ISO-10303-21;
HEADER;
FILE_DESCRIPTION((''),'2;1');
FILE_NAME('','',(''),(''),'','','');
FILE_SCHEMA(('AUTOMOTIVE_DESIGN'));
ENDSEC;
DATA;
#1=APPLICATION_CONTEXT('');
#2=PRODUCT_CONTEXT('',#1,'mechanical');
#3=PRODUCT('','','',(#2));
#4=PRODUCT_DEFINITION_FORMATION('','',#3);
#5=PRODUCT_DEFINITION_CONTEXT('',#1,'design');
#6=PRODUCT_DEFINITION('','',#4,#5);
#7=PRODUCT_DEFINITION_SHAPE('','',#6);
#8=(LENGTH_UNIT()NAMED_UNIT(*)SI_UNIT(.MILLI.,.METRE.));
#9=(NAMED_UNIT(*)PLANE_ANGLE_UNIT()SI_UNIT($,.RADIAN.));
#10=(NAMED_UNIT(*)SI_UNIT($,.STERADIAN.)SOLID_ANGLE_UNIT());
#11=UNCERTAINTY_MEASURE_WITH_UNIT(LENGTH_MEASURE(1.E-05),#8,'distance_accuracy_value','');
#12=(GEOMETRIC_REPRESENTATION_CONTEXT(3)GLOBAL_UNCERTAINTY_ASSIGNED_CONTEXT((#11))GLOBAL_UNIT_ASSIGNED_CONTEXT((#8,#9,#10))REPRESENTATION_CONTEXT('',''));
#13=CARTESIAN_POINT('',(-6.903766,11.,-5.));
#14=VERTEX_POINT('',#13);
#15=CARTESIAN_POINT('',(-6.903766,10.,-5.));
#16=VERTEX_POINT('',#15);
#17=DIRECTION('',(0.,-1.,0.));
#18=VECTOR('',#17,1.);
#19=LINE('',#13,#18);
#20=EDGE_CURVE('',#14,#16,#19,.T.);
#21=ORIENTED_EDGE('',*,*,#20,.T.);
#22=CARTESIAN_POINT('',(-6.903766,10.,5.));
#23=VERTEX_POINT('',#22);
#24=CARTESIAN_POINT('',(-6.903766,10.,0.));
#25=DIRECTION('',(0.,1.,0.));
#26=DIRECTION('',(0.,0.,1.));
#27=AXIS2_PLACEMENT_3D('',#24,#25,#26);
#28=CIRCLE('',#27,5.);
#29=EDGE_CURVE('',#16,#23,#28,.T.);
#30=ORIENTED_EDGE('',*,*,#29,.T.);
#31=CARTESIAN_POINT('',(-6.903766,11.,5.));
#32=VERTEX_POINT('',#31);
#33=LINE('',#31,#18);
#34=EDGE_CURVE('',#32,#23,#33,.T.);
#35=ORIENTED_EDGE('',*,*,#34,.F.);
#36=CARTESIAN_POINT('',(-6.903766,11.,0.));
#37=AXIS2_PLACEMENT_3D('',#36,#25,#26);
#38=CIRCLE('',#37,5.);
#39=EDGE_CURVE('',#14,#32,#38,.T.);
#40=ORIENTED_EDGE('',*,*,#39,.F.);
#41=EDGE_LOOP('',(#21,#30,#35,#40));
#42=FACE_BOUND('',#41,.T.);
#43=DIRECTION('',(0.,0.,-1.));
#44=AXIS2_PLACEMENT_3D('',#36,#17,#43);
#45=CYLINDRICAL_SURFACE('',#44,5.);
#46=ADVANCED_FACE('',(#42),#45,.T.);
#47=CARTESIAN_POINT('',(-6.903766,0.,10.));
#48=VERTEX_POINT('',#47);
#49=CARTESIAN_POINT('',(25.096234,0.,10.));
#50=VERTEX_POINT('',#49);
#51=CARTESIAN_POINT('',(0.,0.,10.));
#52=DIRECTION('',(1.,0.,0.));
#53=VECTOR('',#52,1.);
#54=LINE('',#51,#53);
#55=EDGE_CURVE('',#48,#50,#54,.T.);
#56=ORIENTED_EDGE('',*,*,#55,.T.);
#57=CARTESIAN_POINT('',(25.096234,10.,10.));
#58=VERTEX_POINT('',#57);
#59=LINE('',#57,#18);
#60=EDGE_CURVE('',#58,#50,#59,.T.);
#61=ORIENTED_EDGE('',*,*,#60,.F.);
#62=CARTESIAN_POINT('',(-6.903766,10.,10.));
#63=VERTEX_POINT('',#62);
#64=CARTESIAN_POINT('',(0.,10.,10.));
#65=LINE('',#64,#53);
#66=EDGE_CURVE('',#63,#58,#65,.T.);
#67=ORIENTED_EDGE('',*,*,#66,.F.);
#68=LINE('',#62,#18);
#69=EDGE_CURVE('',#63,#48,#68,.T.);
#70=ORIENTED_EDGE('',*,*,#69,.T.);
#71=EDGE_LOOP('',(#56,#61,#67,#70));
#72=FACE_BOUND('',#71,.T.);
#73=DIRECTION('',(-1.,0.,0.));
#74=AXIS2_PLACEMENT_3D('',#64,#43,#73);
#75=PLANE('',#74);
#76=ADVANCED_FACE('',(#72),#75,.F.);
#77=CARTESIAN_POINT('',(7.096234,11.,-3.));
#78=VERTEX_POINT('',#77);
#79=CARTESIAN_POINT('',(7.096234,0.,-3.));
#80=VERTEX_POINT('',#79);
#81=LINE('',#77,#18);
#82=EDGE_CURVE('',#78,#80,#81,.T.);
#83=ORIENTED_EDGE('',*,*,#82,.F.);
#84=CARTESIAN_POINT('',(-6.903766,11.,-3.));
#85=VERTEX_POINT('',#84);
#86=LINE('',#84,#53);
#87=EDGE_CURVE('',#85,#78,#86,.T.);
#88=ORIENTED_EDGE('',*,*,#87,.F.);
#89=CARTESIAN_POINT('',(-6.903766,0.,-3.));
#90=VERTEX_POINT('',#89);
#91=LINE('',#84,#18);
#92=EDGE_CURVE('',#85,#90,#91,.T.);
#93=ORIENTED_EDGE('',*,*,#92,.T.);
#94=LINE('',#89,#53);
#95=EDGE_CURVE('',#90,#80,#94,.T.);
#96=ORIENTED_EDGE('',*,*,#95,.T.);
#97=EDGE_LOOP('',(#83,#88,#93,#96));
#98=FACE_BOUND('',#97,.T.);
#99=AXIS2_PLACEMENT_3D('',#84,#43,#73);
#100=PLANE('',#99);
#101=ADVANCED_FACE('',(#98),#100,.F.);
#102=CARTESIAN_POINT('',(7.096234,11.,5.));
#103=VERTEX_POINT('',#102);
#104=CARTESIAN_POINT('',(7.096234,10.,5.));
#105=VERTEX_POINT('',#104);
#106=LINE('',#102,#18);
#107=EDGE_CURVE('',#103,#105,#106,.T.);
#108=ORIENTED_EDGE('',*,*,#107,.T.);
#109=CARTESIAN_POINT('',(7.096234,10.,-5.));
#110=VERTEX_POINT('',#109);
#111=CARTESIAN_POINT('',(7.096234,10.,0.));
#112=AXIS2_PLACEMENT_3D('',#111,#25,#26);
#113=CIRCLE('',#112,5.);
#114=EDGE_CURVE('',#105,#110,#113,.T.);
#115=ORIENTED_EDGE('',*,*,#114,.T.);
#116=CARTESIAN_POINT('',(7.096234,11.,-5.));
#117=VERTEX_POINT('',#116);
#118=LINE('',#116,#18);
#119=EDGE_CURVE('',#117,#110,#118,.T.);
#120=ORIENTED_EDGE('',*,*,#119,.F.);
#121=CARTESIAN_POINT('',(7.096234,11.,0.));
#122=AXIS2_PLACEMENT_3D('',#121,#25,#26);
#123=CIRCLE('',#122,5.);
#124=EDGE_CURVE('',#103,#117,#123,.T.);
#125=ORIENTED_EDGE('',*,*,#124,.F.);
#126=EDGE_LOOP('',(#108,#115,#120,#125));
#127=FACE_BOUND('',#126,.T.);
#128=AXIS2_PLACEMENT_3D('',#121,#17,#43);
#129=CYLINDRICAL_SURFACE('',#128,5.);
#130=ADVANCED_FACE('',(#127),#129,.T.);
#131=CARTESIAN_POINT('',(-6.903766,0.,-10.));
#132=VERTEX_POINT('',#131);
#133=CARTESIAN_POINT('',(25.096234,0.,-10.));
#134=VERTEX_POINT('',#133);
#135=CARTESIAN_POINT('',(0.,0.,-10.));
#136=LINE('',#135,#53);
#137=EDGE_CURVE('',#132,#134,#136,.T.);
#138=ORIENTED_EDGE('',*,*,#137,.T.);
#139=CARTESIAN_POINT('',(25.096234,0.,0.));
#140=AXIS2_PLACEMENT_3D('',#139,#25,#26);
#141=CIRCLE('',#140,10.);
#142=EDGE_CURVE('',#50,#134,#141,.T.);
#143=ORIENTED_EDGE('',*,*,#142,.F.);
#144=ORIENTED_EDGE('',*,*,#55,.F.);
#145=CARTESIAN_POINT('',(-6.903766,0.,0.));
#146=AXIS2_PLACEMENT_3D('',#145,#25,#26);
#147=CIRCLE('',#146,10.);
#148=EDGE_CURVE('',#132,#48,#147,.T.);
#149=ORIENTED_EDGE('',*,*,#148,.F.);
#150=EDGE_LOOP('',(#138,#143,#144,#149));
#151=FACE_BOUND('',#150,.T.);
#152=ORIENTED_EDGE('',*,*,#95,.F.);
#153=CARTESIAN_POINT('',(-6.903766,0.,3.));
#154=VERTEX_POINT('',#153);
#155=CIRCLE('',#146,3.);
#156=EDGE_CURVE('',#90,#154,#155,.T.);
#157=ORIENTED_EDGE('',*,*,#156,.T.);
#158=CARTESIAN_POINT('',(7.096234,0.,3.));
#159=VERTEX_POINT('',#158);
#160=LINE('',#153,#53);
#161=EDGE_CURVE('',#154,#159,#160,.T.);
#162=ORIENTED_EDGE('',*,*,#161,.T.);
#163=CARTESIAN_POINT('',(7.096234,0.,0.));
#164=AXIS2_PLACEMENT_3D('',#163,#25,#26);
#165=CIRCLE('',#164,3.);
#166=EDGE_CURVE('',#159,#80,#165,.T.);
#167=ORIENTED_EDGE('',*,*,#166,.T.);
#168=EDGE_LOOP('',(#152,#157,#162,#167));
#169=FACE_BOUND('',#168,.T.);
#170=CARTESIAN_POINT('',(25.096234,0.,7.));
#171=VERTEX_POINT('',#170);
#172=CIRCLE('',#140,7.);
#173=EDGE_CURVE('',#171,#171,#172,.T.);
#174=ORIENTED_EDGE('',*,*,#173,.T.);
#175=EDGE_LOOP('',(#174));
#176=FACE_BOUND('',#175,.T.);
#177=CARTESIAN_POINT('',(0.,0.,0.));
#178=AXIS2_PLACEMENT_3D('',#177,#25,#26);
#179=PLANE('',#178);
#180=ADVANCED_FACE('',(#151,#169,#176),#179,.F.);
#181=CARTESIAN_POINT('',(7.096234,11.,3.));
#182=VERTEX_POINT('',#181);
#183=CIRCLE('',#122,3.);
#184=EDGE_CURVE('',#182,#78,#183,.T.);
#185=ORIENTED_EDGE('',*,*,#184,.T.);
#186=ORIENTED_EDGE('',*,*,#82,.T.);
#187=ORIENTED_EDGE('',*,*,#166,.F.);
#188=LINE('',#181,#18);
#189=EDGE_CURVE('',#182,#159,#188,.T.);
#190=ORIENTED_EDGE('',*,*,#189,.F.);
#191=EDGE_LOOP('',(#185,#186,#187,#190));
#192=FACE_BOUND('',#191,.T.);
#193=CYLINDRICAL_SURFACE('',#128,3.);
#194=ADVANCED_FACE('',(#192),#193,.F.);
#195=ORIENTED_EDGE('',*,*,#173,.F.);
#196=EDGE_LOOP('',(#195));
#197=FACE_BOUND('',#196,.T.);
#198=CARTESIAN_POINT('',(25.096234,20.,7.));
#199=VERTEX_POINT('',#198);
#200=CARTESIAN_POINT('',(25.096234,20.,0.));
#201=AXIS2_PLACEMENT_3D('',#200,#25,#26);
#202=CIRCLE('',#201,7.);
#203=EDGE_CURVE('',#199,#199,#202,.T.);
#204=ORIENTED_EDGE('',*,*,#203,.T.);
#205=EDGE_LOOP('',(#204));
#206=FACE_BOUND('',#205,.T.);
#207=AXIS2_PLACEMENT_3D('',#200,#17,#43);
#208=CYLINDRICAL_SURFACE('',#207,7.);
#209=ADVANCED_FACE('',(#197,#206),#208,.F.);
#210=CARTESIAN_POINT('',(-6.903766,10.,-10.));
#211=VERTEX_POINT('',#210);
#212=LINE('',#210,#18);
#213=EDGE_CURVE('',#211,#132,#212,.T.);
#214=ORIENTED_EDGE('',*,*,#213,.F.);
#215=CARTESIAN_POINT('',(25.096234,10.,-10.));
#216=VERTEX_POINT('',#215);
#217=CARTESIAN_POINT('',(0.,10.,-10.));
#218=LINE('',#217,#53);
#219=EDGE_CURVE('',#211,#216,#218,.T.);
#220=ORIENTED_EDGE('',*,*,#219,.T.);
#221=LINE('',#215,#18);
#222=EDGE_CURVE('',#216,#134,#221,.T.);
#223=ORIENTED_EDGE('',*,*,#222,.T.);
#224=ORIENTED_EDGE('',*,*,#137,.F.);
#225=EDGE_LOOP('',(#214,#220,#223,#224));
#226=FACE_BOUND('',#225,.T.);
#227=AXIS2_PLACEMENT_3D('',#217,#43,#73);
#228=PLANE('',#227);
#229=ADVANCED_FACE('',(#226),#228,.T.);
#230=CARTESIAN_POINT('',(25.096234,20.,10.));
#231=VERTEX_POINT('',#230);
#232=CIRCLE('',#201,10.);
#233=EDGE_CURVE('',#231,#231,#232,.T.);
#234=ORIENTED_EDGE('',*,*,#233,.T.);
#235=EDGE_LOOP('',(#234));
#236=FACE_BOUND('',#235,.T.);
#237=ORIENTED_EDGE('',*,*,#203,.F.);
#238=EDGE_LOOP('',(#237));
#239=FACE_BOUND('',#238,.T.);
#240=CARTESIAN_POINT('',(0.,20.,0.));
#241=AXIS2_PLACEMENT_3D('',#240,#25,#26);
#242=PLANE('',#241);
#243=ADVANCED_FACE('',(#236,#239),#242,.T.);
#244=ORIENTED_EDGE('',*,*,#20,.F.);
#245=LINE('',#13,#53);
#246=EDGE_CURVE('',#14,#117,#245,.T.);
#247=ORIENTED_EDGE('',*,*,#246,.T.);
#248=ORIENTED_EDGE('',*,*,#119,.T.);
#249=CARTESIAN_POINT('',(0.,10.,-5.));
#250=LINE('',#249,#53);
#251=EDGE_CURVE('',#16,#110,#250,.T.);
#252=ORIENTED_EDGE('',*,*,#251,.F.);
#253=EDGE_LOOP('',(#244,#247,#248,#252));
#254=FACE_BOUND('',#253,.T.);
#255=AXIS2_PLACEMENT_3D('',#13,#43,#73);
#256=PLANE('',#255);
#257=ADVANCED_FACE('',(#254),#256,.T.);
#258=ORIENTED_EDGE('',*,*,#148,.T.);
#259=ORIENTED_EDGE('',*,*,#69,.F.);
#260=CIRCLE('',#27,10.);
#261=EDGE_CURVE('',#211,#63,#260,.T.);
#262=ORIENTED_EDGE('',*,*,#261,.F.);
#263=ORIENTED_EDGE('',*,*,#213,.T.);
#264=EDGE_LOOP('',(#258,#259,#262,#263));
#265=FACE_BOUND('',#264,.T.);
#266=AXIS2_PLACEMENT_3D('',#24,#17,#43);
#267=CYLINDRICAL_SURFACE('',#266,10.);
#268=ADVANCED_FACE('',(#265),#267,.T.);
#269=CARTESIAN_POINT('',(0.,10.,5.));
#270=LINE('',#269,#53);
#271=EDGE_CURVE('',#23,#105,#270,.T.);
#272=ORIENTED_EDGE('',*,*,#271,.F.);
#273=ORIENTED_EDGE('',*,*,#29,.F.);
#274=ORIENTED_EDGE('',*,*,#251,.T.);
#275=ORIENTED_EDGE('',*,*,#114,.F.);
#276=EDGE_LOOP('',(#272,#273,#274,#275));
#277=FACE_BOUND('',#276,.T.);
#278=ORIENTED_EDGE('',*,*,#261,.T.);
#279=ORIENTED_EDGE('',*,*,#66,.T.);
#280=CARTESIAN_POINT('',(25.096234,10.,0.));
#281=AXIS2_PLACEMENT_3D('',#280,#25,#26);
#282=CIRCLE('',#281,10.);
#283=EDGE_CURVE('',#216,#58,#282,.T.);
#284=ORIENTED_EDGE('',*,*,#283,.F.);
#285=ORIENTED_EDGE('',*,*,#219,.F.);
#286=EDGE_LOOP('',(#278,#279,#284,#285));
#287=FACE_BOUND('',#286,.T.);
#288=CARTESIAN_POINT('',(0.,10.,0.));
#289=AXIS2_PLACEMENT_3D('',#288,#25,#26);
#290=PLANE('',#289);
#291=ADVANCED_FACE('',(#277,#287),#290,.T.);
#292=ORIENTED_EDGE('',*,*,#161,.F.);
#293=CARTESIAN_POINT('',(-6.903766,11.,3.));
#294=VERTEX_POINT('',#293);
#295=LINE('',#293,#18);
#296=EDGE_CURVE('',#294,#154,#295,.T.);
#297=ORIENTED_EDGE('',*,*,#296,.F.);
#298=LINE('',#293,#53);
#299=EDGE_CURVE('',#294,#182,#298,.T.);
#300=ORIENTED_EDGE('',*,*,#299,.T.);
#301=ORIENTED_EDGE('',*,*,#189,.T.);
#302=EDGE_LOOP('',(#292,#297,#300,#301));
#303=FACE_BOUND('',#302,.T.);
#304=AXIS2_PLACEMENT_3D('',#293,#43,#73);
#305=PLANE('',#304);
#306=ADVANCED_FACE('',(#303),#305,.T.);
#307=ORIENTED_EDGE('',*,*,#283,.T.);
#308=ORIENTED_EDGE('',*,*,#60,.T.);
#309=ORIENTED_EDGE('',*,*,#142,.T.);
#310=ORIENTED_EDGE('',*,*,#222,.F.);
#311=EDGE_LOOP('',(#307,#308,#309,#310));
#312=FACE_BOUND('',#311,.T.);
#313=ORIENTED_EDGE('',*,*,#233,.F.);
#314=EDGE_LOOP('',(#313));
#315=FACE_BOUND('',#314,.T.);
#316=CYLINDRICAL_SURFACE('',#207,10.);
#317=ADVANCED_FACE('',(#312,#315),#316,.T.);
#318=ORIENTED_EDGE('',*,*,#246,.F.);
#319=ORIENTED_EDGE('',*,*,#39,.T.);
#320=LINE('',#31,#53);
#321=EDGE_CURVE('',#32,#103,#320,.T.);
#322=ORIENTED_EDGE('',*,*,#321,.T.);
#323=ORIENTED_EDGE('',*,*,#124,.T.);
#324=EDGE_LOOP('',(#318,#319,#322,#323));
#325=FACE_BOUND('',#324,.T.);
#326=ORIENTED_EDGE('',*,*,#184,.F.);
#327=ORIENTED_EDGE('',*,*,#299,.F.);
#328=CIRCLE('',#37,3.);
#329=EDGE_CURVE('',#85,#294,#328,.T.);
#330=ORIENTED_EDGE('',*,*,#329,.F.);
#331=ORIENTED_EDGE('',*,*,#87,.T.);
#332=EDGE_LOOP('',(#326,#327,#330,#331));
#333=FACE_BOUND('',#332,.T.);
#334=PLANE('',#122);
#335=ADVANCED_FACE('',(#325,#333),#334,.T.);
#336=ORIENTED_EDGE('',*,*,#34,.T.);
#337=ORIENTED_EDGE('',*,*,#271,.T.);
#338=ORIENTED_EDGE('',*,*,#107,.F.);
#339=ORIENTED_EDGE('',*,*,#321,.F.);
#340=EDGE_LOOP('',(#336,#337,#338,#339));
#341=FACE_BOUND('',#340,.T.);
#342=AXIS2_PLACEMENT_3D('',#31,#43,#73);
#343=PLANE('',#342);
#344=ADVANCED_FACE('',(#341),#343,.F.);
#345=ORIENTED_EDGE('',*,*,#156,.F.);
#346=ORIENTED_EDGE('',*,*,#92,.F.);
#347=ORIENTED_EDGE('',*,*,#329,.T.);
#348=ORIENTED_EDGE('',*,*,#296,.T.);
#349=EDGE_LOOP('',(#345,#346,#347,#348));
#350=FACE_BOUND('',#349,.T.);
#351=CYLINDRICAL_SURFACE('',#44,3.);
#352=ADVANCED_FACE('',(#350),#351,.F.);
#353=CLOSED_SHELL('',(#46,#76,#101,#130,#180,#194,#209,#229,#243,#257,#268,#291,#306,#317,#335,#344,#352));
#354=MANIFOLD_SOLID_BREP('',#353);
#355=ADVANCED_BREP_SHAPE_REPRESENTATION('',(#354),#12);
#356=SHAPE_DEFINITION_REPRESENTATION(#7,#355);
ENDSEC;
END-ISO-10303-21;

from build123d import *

# Parameters (mm, degrees)
EXTRUDE_1_DEPTH = 10
SKETCH_1_5_R    = 7
EXTRUDE_2_DEPTH = 20
EXTRUDE_3_DEPTH = 11


with BuildPart() as part:
    # 草图1 → 凸台-拉伸1 (new body)
    with BuildSketch(Plane(origin=(0, 0, 0), x_dir=(1, 0, 0), z_dir=(0, 1, 0))):
        with BuildLine():
            Line((25.09623431, 10), (-6.90376569, 10))
            ThreePointArc((-6.90376569, 10), (-16.90376569, 0), (-6.90376569, -10))
            Line((-6.90376569, -10), (25.09623431, -10))
            ThreePointArc((25.09623431, -10), (15.09623431, 0), (25.09623431, 10))
        make_face()
        with BuildLine():
            ThreePointArc((-6.90376569, -5), (-11.90376569, 0), (-6.90376569, 5))
            Line((-6.90376569, 5), (7.09623431, 5))
            ThreePointArc((7.09623431, 5), (12.09623431, 0), (7.09623431, -5))
            Line((7.09623431, -5), (-6.90376569, -5))
        make_face(mode=Mode.SUBTRACT)
    extrude(amount=EXTRUDE_1_DEPTH)

    # 草图1<5> → 凸台-拉伸2 (add)
    with BuildSketch(Plane(origin=(0, 0, 0), x_dir=(1, 0, 0), z_dir=(0, 1, 0))):
        with BuildLine():
            ThreePointArc((35.09623431, 0), (32.167302121, 7.071067812), (25.09623431, 10))
            ThreePointArc((25.09623431, 10), (15.09623431, 0), (25.09623431, -10))
            ThreePointArc((25.09623431, -10), (32.167302121, -7.071067812), (35.09623431, 0))
        make_face()
        with Locations((25.09623431, 0)):
            Circle(SKETCH_1_5_R, mode=Mode.SUBTRACT)
    extrude(amount=EXTRUDE_2_DEPTH)

    # 草图1<6> → 凸台-拉伸3 (add)
    with BuildSketch(Plane(origin=(0, 0, 0), x_dir=(1, 0, 0), z_dir=(0, 1, 0))):
        with BuildLine():
            Line((-6.90376569, 5), (7.09623431, 5))
            ThreePointArc((7.09623431, 5), (12.09623431, 0), (7.09623431, -5))
            Line((7.09623431, -5), (-6.90376569, -5))
            ThreePointArc((-6.90376569, -5), (-11.90376569, 0), (-6.90376569, 5))
        make_face()
        with BuildLine():
            Line((-6.90376569, 3), (7.09623431, 3))
            ThreePointArc((7.09623431, 3), (10.09623431, 0), (7.09623431, -3))
            Line((7.09623431, -3), (-6.90376569, -3))
            ThreePointArc((-6.90376569, -3), (-9.90376569, 0), (-6.90376569, 3))
        make_face(mode=Mode.SUBTRACT)
    extrude(amount=EXTRUDE_3_DEPTH)


solid = part.part
